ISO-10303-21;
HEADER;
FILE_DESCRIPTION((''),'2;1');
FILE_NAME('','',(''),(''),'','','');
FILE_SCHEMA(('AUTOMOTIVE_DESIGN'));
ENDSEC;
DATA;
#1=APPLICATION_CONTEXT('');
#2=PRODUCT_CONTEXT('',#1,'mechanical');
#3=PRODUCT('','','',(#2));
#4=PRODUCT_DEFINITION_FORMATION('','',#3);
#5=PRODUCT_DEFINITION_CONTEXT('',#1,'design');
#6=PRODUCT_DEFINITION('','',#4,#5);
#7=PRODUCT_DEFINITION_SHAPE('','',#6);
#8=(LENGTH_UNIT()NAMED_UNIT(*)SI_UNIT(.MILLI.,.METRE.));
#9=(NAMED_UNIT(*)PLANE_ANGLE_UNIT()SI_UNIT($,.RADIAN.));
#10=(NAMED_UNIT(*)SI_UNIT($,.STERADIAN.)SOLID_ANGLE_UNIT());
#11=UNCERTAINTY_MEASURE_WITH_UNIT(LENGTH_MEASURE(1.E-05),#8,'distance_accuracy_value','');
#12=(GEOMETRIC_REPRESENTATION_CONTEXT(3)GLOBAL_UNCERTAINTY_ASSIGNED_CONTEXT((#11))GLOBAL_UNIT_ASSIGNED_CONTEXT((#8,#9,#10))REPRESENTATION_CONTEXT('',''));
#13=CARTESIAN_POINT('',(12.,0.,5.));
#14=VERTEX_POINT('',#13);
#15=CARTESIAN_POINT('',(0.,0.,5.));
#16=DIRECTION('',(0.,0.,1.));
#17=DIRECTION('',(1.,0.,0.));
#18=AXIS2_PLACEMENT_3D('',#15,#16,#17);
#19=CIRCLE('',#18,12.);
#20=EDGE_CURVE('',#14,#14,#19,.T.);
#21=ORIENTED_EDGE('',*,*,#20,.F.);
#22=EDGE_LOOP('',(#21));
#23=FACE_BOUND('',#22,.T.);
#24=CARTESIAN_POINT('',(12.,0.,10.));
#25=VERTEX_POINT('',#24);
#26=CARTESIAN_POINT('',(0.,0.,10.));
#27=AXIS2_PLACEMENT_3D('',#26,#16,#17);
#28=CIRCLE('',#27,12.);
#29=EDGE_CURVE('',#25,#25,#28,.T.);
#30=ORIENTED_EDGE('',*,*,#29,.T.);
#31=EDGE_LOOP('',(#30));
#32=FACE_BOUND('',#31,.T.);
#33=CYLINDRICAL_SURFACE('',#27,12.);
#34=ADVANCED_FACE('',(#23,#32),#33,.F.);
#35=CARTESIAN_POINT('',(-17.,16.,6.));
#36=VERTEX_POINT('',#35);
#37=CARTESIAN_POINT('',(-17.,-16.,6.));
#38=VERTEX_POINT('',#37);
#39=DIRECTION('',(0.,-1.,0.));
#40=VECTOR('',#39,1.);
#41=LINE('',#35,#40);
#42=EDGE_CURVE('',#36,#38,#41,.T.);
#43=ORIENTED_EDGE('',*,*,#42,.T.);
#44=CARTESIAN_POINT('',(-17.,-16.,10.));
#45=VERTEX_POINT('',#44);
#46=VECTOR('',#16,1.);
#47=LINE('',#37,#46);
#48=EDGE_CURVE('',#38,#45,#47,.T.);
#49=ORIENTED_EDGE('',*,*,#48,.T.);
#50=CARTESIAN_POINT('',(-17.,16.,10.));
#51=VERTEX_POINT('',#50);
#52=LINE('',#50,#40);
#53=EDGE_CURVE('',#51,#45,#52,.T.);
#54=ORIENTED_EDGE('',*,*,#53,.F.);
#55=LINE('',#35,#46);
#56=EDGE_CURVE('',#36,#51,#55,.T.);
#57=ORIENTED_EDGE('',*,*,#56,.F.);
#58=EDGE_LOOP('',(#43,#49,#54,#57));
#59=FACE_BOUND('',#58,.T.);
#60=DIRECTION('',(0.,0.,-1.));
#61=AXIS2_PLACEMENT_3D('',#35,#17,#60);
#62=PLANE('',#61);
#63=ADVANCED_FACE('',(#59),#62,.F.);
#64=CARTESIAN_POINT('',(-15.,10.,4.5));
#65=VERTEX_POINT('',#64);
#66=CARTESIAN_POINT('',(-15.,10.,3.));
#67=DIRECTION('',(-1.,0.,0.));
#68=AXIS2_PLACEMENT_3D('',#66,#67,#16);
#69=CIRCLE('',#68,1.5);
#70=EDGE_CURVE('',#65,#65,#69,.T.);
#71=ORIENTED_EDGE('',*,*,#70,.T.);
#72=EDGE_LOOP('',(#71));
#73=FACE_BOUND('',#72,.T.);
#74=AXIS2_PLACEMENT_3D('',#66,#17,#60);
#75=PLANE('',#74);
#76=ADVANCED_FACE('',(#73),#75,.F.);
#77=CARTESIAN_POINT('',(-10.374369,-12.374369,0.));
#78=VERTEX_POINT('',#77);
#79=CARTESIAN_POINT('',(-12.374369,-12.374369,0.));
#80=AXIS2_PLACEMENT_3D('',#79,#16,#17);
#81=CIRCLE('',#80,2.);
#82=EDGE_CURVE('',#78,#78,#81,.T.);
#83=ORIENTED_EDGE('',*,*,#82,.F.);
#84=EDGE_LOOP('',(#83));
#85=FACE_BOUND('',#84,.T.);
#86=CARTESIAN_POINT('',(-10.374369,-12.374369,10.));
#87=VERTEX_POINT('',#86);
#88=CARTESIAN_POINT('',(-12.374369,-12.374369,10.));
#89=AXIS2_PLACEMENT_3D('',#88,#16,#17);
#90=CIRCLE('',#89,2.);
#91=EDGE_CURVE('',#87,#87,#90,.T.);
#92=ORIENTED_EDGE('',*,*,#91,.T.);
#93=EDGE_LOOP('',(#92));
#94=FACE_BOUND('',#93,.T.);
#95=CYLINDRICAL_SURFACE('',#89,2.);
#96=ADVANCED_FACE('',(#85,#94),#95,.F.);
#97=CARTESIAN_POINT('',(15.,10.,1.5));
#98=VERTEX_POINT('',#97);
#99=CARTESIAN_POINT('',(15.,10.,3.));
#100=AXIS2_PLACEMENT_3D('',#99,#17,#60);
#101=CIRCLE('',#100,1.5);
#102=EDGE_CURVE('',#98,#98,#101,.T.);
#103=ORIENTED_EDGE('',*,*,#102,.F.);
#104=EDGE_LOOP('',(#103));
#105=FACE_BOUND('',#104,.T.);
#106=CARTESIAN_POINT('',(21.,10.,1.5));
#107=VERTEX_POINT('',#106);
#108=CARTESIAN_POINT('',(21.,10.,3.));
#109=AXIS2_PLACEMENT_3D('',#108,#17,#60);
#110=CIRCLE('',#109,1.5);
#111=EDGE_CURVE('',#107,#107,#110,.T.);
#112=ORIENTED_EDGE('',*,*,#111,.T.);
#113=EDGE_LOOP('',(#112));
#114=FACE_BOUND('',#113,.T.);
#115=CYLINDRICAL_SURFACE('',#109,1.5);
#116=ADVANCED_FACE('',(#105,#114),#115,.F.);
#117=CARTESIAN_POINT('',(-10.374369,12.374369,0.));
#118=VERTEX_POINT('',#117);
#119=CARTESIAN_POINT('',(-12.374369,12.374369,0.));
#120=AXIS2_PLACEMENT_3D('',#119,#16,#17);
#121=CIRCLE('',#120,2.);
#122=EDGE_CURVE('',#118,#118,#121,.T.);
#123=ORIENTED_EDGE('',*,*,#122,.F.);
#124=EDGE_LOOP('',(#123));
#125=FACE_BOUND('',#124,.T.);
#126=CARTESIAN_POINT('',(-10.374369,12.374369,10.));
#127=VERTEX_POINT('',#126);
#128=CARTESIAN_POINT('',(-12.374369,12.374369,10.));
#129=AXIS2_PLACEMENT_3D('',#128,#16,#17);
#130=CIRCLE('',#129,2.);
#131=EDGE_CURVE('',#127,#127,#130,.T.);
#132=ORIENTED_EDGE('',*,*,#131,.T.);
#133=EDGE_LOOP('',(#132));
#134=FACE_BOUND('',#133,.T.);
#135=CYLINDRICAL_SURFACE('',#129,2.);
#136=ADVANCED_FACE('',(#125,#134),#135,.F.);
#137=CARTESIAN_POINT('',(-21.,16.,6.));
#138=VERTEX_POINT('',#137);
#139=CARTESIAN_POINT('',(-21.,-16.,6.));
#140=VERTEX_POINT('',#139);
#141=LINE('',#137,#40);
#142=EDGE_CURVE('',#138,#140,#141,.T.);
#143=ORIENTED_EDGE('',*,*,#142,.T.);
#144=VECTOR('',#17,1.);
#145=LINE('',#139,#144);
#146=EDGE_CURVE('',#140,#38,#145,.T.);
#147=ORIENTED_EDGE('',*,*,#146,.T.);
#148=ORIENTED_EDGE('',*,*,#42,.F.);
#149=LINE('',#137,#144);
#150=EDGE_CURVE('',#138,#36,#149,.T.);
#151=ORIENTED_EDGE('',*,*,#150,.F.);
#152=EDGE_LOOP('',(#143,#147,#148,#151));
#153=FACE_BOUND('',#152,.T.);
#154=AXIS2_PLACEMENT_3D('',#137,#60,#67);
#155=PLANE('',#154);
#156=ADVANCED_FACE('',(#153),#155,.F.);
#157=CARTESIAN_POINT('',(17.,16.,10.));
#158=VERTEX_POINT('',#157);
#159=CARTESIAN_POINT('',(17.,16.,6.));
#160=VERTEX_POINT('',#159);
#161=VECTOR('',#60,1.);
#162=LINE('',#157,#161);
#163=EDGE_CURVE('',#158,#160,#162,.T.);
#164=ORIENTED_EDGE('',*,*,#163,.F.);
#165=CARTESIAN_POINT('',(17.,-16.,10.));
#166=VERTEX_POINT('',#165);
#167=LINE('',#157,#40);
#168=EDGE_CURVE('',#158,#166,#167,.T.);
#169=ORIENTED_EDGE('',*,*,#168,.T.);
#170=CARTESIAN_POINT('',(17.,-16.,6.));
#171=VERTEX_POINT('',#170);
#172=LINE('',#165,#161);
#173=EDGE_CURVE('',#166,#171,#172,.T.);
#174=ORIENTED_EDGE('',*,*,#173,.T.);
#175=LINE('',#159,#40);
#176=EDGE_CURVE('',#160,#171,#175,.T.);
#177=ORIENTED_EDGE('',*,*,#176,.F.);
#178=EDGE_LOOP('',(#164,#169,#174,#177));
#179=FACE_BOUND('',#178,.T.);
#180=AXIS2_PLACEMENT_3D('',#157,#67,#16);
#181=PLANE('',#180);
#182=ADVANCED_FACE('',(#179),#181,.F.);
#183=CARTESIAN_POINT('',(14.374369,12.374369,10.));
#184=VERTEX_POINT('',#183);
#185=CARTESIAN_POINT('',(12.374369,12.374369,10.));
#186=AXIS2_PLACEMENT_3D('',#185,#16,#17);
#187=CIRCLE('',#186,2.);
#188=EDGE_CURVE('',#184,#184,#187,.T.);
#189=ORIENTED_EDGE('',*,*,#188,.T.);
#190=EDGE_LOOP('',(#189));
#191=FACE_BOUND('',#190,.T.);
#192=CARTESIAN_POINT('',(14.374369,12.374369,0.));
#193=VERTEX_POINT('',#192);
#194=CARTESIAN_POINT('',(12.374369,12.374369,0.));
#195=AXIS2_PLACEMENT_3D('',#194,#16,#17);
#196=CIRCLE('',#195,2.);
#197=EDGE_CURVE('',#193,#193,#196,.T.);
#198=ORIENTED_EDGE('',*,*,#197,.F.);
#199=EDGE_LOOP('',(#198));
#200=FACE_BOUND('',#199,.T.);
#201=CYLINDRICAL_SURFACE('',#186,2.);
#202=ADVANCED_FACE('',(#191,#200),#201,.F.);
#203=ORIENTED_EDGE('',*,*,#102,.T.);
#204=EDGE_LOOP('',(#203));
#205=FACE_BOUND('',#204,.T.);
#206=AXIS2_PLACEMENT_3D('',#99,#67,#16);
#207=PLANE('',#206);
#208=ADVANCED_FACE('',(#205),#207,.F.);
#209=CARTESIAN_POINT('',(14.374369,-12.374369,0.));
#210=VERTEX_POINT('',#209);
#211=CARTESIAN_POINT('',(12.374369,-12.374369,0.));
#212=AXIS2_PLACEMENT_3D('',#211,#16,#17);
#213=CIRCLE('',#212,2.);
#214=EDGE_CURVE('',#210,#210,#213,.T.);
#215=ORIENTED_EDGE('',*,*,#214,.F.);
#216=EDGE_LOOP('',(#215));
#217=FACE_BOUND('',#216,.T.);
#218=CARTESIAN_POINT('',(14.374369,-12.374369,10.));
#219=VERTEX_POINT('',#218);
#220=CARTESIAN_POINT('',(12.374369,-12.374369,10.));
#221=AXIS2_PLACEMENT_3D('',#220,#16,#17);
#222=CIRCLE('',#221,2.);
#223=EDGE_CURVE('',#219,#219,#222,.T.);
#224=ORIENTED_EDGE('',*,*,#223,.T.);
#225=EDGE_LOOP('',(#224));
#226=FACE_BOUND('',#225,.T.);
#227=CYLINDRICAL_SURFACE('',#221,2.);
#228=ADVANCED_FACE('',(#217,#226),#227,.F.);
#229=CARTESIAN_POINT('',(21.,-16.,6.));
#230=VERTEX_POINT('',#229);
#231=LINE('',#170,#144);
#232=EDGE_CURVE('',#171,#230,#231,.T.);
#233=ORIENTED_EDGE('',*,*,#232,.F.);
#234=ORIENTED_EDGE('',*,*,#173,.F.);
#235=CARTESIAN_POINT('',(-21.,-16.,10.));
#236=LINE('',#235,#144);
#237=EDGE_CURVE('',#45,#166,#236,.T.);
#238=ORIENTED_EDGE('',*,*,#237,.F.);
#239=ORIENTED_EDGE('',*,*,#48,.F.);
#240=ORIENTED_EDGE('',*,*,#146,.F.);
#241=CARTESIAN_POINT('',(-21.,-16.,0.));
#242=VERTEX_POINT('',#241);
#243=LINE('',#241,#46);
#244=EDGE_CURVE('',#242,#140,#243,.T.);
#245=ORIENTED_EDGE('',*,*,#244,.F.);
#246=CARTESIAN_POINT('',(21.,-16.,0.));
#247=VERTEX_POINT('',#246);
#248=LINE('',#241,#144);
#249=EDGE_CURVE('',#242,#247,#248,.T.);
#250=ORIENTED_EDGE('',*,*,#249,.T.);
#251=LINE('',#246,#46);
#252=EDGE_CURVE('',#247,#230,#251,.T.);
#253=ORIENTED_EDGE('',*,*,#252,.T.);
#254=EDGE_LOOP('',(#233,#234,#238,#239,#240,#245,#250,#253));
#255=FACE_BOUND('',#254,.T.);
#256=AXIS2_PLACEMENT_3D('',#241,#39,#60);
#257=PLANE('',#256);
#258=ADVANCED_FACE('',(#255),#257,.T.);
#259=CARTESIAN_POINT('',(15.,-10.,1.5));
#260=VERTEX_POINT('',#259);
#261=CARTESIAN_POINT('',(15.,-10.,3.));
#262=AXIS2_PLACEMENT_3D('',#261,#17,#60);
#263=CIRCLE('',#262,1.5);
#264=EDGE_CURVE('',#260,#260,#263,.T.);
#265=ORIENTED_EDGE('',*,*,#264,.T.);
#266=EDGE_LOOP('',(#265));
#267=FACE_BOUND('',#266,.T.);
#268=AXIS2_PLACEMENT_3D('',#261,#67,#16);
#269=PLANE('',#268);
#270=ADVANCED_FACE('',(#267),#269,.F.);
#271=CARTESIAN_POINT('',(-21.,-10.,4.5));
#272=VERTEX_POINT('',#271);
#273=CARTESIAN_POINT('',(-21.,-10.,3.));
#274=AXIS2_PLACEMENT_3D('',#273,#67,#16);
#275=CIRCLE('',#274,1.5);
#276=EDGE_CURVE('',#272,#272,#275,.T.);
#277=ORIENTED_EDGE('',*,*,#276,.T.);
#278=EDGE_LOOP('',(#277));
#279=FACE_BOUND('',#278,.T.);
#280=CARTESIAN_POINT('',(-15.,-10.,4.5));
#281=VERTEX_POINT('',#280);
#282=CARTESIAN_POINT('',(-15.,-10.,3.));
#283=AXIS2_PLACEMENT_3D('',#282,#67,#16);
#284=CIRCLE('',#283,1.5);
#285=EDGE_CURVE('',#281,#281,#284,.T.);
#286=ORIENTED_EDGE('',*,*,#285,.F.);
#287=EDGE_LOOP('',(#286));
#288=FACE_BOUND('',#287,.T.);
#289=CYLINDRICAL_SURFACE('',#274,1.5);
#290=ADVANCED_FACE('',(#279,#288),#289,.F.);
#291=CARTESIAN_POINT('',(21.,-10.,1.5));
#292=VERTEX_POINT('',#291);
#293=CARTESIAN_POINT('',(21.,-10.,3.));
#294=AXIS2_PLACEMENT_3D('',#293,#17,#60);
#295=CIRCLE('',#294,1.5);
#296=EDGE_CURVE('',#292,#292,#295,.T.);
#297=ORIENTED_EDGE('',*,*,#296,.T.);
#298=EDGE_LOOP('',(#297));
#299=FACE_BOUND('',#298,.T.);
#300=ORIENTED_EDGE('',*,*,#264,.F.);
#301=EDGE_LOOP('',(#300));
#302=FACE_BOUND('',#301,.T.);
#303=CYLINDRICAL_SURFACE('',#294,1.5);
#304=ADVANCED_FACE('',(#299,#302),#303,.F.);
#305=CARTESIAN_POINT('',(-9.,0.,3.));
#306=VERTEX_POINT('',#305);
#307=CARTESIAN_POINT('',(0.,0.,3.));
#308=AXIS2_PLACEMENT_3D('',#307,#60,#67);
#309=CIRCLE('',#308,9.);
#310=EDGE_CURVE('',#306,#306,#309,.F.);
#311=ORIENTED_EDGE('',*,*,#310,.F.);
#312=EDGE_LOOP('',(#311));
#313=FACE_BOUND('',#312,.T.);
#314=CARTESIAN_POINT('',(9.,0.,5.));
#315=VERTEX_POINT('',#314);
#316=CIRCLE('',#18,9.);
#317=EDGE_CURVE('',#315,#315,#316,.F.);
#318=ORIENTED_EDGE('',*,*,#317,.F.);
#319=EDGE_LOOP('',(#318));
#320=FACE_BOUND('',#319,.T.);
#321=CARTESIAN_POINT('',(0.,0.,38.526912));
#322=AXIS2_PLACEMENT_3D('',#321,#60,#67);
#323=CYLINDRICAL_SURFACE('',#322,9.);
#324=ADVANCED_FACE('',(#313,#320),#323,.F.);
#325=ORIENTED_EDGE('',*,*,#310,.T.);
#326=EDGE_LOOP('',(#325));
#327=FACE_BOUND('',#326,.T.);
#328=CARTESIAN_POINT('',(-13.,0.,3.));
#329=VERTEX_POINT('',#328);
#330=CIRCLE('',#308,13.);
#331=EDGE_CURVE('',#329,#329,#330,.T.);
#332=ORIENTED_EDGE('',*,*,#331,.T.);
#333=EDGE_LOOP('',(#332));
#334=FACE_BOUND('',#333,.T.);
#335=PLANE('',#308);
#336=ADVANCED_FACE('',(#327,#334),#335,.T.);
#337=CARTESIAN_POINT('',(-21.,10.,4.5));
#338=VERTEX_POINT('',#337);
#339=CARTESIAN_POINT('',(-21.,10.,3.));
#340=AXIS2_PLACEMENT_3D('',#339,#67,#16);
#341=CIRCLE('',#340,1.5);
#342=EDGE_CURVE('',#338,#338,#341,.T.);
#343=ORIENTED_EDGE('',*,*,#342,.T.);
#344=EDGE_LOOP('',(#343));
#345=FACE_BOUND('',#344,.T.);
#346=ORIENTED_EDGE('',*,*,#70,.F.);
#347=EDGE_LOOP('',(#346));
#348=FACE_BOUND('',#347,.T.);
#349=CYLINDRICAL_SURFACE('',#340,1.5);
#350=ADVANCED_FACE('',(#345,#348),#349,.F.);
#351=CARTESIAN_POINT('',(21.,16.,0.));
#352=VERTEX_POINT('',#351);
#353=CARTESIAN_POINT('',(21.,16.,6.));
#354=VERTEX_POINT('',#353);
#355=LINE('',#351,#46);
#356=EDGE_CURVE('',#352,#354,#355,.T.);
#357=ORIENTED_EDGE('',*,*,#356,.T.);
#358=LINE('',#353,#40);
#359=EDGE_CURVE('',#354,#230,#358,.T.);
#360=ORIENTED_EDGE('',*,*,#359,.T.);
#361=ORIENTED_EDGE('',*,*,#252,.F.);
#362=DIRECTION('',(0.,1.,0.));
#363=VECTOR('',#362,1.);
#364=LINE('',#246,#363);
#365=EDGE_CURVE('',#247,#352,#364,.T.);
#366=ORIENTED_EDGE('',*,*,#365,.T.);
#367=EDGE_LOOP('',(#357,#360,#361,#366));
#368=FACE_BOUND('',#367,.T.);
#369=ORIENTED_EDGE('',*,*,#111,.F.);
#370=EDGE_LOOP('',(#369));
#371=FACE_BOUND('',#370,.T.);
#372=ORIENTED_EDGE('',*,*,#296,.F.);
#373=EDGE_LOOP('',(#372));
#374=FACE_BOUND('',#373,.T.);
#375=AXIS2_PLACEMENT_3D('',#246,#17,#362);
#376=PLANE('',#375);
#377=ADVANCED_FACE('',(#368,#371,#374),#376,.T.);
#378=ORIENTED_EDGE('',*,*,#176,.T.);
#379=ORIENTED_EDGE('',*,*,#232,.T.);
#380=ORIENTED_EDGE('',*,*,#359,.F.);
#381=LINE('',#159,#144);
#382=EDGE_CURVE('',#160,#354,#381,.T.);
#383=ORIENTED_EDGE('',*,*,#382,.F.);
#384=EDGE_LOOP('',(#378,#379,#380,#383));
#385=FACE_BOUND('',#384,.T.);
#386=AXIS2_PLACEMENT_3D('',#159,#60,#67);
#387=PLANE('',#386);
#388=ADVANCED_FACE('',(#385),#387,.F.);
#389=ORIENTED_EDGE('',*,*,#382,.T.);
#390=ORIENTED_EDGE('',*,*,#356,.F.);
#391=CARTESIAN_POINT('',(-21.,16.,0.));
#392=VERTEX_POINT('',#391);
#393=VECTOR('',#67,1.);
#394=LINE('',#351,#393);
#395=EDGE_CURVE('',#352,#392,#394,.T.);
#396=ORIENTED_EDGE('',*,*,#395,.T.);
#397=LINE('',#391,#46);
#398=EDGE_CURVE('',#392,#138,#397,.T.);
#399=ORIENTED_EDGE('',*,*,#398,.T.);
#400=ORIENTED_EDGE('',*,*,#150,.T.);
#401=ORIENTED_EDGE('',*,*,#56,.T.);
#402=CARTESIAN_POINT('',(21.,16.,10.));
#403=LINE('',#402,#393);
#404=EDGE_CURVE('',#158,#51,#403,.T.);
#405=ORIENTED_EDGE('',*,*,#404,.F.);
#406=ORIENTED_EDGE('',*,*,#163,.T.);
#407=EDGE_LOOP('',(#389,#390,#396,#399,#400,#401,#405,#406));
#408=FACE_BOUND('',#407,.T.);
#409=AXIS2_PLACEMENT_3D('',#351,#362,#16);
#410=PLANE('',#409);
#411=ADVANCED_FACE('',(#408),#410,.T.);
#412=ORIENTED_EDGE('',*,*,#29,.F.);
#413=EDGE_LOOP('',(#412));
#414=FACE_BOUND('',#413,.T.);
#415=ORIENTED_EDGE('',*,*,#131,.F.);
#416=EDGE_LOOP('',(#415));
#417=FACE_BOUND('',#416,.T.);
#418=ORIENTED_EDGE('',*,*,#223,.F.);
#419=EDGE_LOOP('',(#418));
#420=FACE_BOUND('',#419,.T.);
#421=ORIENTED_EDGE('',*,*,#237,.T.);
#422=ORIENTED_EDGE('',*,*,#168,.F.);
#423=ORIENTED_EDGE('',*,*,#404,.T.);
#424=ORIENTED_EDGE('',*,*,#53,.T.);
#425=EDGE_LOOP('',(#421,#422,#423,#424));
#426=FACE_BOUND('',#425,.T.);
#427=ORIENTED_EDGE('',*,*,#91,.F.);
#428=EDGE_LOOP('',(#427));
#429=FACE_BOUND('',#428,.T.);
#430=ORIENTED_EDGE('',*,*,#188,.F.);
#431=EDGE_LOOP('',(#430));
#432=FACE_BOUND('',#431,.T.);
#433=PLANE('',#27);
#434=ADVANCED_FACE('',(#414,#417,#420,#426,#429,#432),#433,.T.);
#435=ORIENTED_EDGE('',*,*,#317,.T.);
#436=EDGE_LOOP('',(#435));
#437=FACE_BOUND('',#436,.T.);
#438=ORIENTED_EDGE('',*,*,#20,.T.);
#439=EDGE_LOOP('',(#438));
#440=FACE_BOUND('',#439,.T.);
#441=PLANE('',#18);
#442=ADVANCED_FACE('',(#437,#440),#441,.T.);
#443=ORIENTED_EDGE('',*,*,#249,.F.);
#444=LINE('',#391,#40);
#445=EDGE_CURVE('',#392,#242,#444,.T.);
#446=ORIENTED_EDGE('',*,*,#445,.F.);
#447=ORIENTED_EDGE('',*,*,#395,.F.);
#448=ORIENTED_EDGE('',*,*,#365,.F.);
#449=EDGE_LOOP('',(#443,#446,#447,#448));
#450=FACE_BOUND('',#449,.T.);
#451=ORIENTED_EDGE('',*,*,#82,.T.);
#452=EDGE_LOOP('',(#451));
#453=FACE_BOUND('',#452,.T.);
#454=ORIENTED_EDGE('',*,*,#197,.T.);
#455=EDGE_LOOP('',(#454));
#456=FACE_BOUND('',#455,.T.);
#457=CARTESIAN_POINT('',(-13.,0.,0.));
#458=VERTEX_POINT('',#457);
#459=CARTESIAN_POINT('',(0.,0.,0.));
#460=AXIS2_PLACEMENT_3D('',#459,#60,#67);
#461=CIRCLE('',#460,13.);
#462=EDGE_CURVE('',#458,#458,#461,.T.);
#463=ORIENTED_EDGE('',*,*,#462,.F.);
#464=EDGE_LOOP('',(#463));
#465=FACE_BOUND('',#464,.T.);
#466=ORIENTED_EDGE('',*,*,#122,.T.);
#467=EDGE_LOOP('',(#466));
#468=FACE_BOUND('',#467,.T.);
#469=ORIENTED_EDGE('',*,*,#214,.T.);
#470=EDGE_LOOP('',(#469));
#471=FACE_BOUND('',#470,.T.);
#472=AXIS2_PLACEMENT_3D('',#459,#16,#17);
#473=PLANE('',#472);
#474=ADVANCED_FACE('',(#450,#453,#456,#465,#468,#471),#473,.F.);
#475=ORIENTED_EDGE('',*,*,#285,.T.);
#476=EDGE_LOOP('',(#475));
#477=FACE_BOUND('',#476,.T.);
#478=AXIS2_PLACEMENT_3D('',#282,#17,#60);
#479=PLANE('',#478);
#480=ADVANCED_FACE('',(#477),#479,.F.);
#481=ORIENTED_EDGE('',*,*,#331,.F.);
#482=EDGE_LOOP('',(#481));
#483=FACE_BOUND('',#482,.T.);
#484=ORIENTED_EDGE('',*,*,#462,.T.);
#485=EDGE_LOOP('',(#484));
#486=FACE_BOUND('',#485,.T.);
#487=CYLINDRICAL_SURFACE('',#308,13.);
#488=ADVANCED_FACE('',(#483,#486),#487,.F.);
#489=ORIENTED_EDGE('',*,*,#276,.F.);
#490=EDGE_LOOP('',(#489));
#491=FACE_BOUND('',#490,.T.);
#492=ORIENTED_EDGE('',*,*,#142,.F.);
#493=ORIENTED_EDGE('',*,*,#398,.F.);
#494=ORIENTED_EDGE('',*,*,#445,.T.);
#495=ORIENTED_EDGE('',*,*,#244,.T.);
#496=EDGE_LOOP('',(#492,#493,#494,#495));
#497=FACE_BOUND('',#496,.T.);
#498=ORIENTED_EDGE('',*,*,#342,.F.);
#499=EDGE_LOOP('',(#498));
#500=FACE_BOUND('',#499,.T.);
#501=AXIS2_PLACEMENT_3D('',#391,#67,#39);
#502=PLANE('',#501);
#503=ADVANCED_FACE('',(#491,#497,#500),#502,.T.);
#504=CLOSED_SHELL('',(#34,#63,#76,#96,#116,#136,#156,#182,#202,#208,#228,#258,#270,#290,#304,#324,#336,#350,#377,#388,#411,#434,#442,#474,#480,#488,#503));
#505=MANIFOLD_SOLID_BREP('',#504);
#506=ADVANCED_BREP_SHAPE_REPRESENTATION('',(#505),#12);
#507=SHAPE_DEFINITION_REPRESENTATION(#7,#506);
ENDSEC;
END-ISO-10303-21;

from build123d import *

# Parameters (mm, degrees)
SKETCH_1_W                    = 42
SKETCH_1_H                    = 32
EXTRUDE_1_DEPTH               = 10
SKETCH_2_W                    = 4
SKETCH_2_H                    = 4
CUT_EXTRUDE_1_DEPTH           = 40.56008089
SKETCH_3_W                    = 4
SKETCH_3_H                    = 4
CUT_EXTRUDE_2_DEPTH           = 40.56008089
HOLE_WIZARD_4_0_4_1_D         = 4
HOLE_WIZARD_3_0_3_1_D         = 3
HOLE_WIZARD_3_0_3_1_DEPTH     = 6
HOLE_WIZARD_3_0_3_2_D         = 3
HOLE_WIZARD_3_0_3_2_DEPTH     = 6
HOLE_WIZARD_M20_1_D           = 23
HOLE_WIZARD_M20_1_CBORE_D     = 24
HOLE_WIZARD_M20_1_CBORE_DEPTH = 4
SKETCH_12_R                   = 11.5
SKETCH_12_R_2                 = 9
EXTRUDE_2_DEPTH               = 6
SKETCH_13_R                   = 12
CUT_EXTRUDE_3_DEPTH           = 5
SKETCH_14_R                   = 13
CUT_EXTRUDE_4_DEPTH           = 3


with BuildPart() as part:
    # 草图1 → 凸台-拉伸1 (new body)
    with BuildSketch(Plane.XY.offset(10)):
        Rectangle(SKETCH_1_W, SKETCH_1_H)
    extrude(amount=-EXTRUDE_1_DEPTH)

    # 草图2 → 切除-拉伸1 (cut, through all)
    with BuildSketch(Plane.XZ.offset(16)):
        with Locations((-19, 8)):
            Rectangle(SKETCH_2_W, SKETCH_2_H)
    extrude(amount=-CUT_EXTRUDE_1_DEPTH, mode=Mode.SUBTRACT)

    # 草图3 → 切除-拉伸2 (cut, through all)
    with BuildSketch(Plane.XZ.offset(16)):
        with Locations((19, 8)):
            Rectangle(SKETCH_3_W, SKETCH_3_H)
    extrude(amount=-CUT_EXTRUDE_2_DEPTH, mode=Mode.SUBTRACT)

    # Ø4.0 (4) 直径孔1 (through all)
    with Locations(Plane.XY.offset(10)):
        with Locations((12.374368671, 12.374368671), (12.374368671, -12.374368671), (-12.374368671, -12.374368671), (-12.374368671, 12.374368671)):
            Hole(HOLE_WIZARD_4_0_4_1_D / 2)

    # Ø3.0 (3) 直径孔1
    with Locations(Plane(origin=(21, 0, 0), x_dir=(0, 0, -1), z_dir=(1, 0, 0))):
        with Locations((-3, -10), (-3, 10)):
            Hole(HOLE_WIZARD_3_0_3_1_D / 2, depth=HOLE_WIZARD_3_0_3_1_DEPTH)

    # Ø3.0 (3) 直径孔2
    with Locations(Plane.ZY.offset(21)):
        with Locations((3, -10), (3, 10)):
            Hole(HOLE_WIZARD_3_0_3_2_D / 2, depth=HOLE_WIZARD_3_0_3_2_DEPTH)

    # M20 六角头螺栓的柱形沉头孔1 (through all)
    with Locations(Plane.XY.offset(10)):
        with Locations((0, 0)):
            CounterBoreHole(HOLE_WIZARD_M20_1_D / 2, HOLE_WIZARD_M20_1_CBORE_D / 2, HOLE_WIZARD_M20_1_CBORE_DEPTH)

    # 草图12 → 凸台-拉伸2 (add)
    with BuildSketch(Plane(origin=(0, 0, 0), x_dir=(-1, 0, 0), z_dir=(0, 0, -1))):
        Circle(SKETCH_12_R)
        Circle(SKETCH_12_R_2, mode=Mode.SUBTRACT)
    extrude(amount=-EXTRUDE_2_DEPTH)

    # 草图13 → 切除-拉伸3 (cut)
    with BuildSketch(Plane.XY.offset(10)):
        Circle(SKETCH_13_R)
    extrude(amount=-CUT_EXTRUDE_3_DEPTH, mode=Mode.SUBTRACT)

    # 草图14 → 切除-拉伸4 (cut)
    with BuildSketch(Plane(origin=(0, 0, 0), x_dir=(-1, 0, 0), z_dir=(0, 0, -1))):
        Circle(SKETCH_14_R)
    extrude(amount=-CUT_EXTRUDE_4_DEPTH, mode=Mode.SUBTRACT)


solid = part.part
